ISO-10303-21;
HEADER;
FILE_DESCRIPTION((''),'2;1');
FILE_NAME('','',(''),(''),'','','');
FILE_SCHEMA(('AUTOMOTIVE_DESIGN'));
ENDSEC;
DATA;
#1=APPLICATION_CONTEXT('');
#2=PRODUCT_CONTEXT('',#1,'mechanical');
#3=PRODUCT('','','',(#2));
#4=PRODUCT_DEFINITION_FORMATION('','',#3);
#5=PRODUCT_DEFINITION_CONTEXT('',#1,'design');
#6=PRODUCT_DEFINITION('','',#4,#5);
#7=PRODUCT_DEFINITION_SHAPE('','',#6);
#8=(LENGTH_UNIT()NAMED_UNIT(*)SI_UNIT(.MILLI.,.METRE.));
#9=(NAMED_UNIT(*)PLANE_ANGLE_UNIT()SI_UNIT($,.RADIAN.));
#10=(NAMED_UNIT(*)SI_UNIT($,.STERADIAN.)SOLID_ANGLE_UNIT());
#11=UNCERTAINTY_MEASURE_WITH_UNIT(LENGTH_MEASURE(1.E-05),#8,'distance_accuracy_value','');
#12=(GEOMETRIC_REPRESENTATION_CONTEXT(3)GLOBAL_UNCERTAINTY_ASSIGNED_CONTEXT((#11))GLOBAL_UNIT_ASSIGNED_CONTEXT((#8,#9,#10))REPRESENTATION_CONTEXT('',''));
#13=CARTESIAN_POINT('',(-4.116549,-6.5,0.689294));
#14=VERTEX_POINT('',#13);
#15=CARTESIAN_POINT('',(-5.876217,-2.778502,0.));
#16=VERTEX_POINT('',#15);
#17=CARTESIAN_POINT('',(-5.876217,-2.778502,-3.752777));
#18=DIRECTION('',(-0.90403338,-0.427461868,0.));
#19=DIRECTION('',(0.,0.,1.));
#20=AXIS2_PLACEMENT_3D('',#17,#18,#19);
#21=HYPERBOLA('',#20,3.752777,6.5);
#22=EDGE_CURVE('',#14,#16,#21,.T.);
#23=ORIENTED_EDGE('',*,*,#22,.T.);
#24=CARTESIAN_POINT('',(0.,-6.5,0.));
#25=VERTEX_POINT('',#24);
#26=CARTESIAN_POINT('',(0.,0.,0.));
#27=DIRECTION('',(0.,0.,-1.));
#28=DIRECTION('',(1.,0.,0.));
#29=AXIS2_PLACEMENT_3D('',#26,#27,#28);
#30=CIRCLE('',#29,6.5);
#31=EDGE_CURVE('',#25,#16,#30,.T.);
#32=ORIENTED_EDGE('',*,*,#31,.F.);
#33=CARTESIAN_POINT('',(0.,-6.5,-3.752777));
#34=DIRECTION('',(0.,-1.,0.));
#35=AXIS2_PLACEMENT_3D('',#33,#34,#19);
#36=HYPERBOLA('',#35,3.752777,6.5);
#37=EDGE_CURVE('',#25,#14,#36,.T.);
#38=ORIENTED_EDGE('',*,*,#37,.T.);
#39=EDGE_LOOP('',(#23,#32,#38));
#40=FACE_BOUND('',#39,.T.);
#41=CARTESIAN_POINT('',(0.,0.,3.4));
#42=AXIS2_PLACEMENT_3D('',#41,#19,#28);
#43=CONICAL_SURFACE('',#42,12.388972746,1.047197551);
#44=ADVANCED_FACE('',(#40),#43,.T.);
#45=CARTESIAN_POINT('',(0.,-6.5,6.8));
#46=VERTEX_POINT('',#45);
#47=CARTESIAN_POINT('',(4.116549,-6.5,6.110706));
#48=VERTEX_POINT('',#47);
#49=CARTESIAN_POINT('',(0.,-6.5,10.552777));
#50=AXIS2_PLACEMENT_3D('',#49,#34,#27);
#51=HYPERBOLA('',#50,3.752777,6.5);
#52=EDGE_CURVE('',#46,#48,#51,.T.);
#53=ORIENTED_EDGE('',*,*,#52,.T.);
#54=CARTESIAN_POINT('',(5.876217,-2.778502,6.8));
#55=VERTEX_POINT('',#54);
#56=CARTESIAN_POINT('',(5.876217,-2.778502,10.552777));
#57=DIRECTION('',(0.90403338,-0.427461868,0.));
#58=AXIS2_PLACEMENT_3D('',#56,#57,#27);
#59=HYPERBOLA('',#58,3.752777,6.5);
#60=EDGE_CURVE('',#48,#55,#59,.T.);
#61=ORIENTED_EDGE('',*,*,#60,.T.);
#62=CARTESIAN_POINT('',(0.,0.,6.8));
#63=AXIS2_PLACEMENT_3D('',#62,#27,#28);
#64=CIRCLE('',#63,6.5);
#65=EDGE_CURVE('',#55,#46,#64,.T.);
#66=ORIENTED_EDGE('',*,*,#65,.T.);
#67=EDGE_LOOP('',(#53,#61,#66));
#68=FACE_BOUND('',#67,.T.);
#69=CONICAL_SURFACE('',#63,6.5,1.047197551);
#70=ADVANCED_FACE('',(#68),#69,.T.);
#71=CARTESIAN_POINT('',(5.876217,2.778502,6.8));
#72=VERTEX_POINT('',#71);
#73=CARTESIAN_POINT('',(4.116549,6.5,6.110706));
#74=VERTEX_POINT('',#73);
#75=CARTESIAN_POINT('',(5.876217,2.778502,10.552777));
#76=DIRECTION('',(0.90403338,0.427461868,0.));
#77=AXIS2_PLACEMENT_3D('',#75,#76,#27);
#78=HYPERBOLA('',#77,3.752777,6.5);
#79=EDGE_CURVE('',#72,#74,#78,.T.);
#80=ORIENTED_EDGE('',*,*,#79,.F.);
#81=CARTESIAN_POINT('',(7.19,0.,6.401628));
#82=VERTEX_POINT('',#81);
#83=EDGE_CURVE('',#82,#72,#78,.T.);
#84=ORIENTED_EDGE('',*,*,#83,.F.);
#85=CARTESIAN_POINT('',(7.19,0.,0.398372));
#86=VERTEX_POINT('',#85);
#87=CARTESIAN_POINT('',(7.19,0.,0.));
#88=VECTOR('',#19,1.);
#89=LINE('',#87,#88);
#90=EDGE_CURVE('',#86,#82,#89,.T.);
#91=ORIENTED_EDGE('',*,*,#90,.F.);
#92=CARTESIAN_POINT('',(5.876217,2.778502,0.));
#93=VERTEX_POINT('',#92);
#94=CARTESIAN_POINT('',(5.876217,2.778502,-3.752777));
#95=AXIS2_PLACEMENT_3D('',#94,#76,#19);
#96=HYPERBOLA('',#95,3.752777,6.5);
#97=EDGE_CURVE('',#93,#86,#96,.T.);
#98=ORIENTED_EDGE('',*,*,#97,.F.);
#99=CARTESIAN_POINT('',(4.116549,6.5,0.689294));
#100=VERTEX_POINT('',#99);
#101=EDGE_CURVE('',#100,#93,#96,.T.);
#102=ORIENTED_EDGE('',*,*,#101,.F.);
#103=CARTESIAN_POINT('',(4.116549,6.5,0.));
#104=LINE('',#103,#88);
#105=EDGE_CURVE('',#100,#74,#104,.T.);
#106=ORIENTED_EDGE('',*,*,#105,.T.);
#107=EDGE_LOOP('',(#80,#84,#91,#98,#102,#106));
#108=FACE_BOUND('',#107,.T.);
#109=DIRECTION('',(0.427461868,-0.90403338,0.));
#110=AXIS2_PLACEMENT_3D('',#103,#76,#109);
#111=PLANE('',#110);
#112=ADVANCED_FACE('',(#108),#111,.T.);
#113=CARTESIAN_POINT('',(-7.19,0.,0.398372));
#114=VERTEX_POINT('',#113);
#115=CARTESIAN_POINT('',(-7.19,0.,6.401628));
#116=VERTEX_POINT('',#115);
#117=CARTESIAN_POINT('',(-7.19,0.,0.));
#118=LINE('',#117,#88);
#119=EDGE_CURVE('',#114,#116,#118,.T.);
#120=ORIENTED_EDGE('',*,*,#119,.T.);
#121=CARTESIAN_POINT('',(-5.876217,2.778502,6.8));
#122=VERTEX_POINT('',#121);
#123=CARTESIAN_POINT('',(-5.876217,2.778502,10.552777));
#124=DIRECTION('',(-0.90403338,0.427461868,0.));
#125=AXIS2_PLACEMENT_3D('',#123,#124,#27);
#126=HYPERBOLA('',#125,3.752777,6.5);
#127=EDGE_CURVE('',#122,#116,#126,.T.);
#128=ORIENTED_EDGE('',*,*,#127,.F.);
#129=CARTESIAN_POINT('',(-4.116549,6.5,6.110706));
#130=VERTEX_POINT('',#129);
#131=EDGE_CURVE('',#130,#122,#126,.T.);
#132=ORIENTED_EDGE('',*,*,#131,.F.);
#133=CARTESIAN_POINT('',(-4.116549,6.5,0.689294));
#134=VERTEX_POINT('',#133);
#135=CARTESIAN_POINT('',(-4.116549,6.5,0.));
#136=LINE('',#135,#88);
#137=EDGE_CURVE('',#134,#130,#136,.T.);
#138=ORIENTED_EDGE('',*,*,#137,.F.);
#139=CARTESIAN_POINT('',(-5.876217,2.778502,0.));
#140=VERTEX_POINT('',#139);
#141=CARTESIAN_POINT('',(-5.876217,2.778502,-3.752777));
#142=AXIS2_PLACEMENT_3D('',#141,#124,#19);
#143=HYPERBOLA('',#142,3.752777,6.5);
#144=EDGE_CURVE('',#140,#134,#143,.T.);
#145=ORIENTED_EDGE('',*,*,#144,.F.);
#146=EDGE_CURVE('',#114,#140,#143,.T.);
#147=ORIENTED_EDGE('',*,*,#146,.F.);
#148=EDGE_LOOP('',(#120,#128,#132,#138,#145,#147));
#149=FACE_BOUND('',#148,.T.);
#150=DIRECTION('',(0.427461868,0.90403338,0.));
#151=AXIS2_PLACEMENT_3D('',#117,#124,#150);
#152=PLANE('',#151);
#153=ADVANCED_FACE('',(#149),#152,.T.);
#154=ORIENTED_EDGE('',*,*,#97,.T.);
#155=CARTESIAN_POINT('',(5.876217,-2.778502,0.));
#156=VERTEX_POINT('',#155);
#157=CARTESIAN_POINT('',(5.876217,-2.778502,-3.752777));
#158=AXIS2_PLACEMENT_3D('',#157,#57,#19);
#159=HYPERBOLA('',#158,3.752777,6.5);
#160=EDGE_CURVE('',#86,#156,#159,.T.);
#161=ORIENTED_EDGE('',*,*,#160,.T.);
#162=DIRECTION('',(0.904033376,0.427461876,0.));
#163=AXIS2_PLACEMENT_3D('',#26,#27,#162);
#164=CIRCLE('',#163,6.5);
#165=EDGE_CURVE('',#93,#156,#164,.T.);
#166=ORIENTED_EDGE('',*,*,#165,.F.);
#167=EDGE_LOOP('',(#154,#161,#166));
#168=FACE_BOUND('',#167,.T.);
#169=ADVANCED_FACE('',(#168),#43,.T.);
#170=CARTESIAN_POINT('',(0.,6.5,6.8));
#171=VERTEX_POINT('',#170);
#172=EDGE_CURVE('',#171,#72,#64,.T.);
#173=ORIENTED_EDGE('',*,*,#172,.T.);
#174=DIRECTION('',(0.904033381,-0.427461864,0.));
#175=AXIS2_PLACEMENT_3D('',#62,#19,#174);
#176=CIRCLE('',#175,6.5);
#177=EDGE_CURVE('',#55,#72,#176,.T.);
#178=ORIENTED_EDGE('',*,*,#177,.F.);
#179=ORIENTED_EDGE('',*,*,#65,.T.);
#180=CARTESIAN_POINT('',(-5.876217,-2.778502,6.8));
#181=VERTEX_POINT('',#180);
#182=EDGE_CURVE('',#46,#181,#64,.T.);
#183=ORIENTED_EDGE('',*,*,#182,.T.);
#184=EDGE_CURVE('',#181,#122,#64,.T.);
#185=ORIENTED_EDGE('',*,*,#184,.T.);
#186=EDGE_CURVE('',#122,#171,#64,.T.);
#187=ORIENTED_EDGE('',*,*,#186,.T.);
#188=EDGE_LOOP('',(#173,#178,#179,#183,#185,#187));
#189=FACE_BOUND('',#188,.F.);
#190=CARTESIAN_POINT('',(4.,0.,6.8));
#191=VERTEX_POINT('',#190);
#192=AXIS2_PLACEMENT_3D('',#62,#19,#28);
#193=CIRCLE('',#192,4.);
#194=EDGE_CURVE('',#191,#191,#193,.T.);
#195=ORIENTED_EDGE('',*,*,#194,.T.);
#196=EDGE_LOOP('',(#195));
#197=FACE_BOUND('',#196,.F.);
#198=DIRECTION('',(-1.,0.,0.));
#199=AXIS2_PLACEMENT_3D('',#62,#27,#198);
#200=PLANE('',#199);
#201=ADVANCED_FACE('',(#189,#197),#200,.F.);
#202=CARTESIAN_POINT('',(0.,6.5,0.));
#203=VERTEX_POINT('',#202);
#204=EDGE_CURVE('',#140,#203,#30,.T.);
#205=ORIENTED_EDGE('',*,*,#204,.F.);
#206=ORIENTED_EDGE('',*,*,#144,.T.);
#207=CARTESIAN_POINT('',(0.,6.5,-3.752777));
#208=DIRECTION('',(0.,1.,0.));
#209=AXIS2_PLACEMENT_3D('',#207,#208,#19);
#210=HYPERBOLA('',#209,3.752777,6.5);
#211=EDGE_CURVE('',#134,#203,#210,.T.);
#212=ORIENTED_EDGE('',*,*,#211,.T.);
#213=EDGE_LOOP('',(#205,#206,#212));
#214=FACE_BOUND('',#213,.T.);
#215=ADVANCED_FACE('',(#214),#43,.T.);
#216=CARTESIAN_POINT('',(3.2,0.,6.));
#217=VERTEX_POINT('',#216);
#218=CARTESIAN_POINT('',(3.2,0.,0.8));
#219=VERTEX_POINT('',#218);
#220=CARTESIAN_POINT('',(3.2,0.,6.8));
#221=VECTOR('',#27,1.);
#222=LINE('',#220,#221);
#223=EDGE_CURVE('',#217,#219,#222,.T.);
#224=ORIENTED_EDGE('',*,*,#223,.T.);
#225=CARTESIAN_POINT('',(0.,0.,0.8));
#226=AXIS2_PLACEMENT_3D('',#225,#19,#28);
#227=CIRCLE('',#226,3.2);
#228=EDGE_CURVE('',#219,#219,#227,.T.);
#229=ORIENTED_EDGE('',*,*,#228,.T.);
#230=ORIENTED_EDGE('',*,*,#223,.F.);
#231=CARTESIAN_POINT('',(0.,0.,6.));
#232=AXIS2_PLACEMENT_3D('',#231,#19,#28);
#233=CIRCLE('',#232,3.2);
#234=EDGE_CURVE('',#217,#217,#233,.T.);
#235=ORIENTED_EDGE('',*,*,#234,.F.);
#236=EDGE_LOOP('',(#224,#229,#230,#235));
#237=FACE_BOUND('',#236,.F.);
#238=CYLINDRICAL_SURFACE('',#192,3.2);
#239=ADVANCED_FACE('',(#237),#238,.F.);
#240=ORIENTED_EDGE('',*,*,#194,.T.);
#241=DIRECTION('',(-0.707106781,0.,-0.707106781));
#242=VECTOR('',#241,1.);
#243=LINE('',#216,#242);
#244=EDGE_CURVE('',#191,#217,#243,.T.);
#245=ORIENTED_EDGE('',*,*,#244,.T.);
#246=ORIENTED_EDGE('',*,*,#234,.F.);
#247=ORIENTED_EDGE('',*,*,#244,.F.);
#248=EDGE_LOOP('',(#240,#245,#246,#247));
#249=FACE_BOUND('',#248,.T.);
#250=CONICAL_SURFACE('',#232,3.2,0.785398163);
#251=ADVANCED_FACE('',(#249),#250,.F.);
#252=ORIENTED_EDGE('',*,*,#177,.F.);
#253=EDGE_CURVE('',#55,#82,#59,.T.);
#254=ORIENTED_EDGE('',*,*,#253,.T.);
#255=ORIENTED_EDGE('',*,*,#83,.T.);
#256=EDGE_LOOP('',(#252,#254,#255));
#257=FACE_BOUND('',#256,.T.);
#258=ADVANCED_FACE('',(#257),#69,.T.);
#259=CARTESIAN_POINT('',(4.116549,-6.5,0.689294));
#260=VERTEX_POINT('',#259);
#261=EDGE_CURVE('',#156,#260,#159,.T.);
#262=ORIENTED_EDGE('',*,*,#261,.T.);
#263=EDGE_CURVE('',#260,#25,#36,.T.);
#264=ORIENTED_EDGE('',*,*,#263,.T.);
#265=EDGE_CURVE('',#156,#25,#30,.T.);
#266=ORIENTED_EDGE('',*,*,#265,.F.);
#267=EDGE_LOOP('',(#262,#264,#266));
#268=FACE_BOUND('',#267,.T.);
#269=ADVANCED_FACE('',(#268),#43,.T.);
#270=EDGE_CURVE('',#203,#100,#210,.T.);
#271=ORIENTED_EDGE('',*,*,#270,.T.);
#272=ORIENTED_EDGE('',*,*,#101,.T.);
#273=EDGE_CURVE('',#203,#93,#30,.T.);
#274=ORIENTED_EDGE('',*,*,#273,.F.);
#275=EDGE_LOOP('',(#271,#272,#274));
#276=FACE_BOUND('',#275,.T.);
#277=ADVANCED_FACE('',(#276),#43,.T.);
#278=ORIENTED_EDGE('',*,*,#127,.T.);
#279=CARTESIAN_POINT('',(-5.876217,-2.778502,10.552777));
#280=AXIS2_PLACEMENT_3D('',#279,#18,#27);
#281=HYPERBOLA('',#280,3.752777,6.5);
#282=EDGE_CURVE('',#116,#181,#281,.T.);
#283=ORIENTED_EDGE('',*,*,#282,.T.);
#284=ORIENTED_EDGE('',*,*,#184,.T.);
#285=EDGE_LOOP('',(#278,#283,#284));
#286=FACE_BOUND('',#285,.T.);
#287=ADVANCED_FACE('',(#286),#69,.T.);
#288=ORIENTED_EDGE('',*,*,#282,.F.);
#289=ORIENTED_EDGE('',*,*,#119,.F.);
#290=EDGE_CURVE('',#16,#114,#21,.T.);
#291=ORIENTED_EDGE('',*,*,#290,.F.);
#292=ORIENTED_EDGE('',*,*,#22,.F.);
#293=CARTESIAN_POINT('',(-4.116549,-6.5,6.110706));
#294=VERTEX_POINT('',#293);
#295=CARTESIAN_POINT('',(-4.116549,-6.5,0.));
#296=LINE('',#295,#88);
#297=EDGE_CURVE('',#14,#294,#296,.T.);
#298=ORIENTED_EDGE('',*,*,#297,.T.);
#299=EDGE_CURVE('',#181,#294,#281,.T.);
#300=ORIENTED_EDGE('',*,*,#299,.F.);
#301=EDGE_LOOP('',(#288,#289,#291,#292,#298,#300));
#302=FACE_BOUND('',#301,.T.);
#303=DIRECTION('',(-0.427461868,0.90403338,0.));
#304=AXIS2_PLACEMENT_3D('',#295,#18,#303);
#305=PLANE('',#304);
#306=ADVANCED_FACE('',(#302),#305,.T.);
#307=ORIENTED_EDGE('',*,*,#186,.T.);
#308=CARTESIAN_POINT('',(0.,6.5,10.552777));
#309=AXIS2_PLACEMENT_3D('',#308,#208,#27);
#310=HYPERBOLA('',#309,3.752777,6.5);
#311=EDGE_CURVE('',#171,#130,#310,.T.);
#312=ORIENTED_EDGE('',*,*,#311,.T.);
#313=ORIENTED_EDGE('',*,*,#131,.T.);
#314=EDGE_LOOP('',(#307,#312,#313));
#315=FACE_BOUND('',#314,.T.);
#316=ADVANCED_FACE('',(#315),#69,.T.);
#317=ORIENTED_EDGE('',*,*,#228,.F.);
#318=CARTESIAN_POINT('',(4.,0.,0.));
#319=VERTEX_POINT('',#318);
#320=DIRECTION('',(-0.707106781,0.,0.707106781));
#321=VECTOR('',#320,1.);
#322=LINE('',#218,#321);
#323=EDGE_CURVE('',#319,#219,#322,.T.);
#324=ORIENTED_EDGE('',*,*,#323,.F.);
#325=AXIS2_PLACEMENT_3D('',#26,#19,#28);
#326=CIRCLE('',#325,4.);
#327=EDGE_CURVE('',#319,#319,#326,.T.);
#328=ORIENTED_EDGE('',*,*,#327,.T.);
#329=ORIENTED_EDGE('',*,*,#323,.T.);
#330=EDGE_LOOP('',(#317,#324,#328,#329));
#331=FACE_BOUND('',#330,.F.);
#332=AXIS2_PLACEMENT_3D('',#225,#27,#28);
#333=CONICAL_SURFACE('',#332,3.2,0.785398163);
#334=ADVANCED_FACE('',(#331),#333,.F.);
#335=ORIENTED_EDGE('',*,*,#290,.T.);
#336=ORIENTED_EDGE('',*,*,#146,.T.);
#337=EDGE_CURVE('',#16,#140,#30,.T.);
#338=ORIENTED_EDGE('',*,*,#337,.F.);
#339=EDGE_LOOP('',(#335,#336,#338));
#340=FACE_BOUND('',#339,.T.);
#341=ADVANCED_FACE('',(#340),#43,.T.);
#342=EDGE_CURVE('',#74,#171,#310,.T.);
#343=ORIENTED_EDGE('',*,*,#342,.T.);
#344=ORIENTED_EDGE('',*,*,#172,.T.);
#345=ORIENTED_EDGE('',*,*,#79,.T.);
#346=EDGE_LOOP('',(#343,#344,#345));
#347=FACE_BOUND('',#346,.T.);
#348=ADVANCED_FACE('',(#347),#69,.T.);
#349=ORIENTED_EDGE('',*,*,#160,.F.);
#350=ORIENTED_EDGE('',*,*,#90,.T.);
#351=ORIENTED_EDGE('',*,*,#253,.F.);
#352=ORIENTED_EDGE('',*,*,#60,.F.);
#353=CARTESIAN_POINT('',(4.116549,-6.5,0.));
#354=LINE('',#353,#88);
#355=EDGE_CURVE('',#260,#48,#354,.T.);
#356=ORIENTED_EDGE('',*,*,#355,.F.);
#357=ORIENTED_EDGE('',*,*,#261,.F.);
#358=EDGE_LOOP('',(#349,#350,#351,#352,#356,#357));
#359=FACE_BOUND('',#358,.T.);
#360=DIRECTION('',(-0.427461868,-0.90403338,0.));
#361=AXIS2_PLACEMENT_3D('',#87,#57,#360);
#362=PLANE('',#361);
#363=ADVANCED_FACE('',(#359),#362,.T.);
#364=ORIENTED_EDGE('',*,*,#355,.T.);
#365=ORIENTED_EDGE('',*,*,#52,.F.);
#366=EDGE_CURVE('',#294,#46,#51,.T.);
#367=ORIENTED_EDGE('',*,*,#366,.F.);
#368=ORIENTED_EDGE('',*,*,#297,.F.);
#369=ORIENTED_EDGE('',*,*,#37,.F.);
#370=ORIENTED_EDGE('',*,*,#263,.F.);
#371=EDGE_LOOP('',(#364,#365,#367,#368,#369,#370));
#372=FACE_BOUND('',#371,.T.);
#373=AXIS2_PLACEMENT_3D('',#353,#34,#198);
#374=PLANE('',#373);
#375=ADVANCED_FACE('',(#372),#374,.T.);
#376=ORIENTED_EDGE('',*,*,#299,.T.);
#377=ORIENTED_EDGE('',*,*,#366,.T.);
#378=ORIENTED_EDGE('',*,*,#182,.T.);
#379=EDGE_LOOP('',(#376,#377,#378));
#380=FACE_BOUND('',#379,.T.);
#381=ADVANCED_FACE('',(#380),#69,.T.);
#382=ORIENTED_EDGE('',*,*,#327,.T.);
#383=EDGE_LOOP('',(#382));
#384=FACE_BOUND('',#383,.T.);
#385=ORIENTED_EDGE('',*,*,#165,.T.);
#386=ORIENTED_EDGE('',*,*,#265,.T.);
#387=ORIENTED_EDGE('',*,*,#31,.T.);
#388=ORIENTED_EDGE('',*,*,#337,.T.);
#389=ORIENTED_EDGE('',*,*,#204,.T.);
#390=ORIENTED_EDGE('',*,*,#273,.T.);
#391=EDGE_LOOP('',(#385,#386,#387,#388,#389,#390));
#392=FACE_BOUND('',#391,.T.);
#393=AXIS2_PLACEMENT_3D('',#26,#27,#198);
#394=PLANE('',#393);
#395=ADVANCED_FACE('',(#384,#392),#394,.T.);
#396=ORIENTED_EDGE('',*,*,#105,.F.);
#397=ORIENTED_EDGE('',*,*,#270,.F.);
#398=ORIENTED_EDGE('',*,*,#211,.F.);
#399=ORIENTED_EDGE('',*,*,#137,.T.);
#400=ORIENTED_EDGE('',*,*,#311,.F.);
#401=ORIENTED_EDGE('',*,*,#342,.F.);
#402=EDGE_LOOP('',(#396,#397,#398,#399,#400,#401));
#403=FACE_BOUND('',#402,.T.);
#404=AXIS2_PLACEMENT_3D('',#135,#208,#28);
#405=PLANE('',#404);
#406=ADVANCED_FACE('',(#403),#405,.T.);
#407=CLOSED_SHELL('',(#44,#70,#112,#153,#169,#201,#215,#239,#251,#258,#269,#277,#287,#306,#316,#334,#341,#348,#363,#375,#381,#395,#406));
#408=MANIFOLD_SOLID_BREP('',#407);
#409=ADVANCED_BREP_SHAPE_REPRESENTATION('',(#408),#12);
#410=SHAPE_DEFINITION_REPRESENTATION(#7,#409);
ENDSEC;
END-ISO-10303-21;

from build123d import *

# Parameters (mm, degrees)
BASE_EXTRUSION_DEPTH    = 6.8
ESQUISSE4_R             = 3.2
ENL_V_MAT_EXTRU_1_DEPTH = 12.840021115
CHANFREIN1_SIZE         = 0.8


with BuildPart() as part:
    # Esquisse1 → Base-Extrusion (new body)
    with BuildSketch(Plane.XY):
        Polygon((-7.19, 0), (-4.116549171, 6.5), (4.116549171, 6.5), (7.19, 0), (4.116549171, -6.5), (-4.116549171, -6.5), align=None)
    extrude(amount=BASE_EXTRUSION_DEPTH)

    # Esquisse3 → Enlever de la matière-Révolution1 (revolve, cut)
    with BuildSketch(Plane(origin=(0, 0, 0), x_dir=(0, 0, -1), z_dir=(1, 0, 0)), mode=Mode.PRIVATE) as enlever_de_la_mati_re_r_volution1_sk:
        Polygon((-6.8, 6.5), (-3.4, 12.388972746), (0, 6.5), (2.598076211, 8), (-3.4, 18.388972746), (-9.398076211, 8), align=None)
    revolve(enlever_de_la_mati_re_r_volution1_sk.sketch.rotate(Axis((0, 0, 8.495961775), (0, 0, -1)), 90), axis=Axis((0, 0, 8.495961775), (0, 0, -1)), mode=Mode.SUBTRACT)

    # Esquisse4 → Enlèv. mat.-Extru.1 (cut, through all)
    with BuildSketch(Plane.XY.offset(6.8)):
        Circle(ESQUISSE4_R)
    extrude(amount=-ENL_V_MAT_EXTRU_1_DEPTH, mode=Mode.SUBTRACT)

    # Chanfrein1
    chanfrein1_edges = [part.edges().sort_by_distance(p)[0] for p in [
        (-3.2, 0, 0),
        (-3.2, 0, 6.8),
    ]]
    chamfer(chanfrein1_edges, length=CHANFREIN1_SIZE)


solid = part.part
